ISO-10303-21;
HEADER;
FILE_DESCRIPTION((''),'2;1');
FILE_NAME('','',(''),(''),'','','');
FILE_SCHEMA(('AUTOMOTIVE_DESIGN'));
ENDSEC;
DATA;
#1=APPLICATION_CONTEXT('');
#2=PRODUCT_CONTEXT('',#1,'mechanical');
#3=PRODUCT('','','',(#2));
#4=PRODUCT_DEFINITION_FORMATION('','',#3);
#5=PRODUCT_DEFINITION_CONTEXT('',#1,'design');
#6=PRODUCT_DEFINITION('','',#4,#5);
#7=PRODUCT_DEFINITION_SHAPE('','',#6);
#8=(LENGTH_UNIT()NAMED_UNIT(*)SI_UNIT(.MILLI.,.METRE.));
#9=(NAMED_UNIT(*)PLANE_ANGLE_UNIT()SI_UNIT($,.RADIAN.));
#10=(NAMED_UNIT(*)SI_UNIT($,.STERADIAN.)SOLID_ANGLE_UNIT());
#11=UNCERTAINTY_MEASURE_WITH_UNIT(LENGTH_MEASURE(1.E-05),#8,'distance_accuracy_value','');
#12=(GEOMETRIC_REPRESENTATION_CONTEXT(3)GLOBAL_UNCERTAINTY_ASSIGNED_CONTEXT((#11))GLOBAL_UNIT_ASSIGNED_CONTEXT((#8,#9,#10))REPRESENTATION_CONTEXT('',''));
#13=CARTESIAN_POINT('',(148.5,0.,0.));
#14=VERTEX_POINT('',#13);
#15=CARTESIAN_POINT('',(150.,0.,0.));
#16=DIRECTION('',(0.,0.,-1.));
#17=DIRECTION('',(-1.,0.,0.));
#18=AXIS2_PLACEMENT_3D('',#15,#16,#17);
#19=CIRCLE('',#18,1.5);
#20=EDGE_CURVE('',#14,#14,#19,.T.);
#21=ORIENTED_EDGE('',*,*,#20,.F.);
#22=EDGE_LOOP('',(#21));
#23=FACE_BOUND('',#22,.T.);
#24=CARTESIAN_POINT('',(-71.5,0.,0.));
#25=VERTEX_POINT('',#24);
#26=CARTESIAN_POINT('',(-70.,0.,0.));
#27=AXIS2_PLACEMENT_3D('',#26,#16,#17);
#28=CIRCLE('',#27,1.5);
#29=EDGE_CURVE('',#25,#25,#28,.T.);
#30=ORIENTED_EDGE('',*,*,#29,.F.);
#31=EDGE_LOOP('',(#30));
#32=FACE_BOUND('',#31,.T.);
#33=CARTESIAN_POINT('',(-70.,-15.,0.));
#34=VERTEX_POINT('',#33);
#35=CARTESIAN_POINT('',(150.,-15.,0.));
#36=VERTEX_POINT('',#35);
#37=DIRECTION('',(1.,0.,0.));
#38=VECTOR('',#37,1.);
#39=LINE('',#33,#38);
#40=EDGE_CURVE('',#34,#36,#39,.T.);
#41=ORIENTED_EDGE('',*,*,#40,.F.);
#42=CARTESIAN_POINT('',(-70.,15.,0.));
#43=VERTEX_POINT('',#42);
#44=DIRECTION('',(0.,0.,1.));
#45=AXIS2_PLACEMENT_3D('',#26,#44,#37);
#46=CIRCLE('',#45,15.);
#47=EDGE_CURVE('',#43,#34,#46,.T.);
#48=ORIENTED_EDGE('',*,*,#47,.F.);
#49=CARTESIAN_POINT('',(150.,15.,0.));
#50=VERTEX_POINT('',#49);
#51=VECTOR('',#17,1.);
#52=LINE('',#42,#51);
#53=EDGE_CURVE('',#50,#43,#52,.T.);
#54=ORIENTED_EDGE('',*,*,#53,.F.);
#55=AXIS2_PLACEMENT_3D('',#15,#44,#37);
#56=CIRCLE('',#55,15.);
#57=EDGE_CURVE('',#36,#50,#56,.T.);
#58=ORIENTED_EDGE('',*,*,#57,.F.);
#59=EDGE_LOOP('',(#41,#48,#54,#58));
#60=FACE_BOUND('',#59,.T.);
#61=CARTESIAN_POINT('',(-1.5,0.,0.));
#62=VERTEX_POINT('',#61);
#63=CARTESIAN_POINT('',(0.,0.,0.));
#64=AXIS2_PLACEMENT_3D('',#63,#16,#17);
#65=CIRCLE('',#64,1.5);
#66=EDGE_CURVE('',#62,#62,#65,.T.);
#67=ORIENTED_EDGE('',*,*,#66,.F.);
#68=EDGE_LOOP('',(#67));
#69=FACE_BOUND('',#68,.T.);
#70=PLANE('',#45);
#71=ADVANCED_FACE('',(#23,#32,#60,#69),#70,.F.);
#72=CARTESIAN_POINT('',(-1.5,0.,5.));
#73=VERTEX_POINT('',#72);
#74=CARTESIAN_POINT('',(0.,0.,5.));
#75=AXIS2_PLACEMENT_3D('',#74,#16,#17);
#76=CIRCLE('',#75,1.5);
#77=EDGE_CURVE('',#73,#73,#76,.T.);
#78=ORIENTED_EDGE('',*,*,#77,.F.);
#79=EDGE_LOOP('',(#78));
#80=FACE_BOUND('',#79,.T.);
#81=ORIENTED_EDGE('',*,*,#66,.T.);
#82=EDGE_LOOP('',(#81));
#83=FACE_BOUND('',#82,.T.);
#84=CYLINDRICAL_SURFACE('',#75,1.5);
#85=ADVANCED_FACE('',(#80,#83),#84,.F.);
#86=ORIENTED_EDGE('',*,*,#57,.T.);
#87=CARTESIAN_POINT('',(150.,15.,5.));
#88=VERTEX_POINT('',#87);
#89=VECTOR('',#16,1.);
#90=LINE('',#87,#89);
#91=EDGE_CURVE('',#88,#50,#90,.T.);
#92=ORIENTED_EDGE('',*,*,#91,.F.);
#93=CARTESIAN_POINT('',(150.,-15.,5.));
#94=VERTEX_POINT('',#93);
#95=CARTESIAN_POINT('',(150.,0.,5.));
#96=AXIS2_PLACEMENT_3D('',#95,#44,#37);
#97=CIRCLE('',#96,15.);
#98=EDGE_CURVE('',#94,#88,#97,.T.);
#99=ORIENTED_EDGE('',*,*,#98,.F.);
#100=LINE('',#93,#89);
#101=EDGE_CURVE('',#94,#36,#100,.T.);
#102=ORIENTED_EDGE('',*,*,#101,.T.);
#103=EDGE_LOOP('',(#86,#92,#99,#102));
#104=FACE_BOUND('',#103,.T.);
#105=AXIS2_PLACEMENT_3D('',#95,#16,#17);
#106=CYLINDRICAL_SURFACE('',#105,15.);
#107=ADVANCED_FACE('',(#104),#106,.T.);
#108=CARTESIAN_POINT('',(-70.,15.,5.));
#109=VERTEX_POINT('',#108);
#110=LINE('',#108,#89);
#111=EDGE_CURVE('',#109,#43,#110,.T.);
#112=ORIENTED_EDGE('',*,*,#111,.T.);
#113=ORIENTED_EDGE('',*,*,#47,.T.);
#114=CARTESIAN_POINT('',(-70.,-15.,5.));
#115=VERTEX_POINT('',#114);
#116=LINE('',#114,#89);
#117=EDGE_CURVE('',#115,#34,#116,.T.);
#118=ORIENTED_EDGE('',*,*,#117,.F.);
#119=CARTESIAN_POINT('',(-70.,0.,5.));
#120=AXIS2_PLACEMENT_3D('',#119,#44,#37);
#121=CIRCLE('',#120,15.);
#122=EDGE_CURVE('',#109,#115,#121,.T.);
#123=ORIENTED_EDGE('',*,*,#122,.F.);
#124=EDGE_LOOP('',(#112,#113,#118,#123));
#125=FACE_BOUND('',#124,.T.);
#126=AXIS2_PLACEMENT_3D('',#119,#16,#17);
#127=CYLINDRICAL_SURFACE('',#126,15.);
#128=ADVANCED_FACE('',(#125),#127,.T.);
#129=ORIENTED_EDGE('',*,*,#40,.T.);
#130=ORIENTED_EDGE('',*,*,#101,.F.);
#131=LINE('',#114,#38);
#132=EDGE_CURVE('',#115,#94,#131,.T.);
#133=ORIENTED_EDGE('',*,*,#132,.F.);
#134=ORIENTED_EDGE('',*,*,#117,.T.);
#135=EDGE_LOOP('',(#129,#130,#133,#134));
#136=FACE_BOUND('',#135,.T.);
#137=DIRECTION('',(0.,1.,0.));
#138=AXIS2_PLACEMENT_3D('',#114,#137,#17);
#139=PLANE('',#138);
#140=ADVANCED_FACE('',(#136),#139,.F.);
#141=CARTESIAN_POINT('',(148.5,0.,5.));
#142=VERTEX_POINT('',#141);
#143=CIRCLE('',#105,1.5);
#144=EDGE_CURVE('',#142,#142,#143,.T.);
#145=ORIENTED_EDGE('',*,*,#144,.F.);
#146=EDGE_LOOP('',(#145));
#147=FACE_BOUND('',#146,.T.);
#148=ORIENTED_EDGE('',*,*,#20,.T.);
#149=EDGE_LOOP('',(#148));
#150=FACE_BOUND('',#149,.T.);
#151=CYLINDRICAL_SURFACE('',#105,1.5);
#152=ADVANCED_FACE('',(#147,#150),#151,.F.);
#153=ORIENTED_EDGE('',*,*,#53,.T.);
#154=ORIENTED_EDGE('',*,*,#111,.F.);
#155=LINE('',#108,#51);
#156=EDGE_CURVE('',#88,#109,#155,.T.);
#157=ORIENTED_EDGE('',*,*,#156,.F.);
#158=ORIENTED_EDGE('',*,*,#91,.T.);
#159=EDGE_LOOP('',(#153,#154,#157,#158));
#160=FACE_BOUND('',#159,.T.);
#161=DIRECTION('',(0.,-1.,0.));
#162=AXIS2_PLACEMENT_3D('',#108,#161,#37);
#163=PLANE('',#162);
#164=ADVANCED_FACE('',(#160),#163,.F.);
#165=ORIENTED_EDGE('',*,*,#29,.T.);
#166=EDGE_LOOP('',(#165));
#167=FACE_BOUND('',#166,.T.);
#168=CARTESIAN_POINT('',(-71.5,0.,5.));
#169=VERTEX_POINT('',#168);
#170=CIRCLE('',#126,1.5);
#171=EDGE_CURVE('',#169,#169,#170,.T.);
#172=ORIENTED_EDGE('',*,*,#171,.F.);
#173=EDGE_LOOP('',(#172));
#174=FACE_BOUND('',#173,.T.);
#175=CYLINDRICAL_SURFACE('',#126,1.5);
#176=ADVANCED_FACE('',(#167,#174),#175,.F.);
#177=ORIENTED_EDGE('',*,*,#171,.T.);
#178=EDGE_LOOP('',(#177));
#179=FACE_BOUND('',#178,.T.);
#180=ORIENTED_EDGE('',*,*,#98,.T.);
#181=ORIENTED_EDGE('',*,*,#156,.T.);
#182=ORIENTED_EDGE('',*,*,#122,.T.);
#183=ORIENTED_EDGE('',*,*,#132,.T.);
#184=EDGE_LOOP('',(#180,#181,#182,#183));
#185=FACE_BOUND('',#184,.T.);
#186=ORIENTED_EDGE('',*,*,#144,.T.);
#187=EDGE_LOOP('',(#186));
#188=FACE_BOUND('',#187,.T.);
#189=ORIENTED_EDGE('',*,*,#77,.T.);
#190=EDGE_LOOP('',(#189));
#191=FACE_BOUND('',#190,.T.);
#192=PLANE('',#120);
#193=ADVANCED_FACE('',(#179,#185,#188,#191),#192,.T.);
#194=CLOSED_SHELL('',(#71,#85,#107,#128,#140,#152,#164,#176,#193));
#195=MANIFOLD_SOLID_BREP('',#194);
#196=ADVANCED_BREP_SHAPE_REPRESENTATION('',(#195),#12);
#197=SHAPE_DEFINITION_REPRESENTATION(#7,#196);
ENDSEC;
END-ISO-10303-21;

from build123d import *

# Parameters (mm, degrees)
BOSS_EXTRUDE1_DEPTH = 5
SKETCH4_R           = 1.5
CUT_EXTRUDE1_DEPTH  = 5


with BuildPart() as part:
    # Sketch3 → Boss-Extrude1 (new body)
    with BuildSketch(Plane.XY):
        with BuildLine():
            Line((-70, 15), (150, 15))
            ThreePointArc((150, 15), (165, 0), (150, -15))
            Line((150, -15), (-70, -15))
            ThreePointArc((-70, -15), (-85, 0), (-70, 15))
        make_face()
    extrude(amount=BOSS_EXTRUDE1_DEPTH)

    # Sketch4 → Cut-Extrude1 (cut)
    with BuildSketch(Plane(origin=(0, 0, 0), x_dir=(-1, 0, 0), z_dir=(0, 0, -1))):
        with Locations((-150, 0)):
            Circle(SKETCH4_R)
        Circle(SKETCH4_R)
        with Locations((70, 0)):
            Circle(SKETCH4_R)
    extrude(amount=-CUT_EXTRUDE1_DEPTH, mode=Mode.SUBTRACT)


solid = part.part
